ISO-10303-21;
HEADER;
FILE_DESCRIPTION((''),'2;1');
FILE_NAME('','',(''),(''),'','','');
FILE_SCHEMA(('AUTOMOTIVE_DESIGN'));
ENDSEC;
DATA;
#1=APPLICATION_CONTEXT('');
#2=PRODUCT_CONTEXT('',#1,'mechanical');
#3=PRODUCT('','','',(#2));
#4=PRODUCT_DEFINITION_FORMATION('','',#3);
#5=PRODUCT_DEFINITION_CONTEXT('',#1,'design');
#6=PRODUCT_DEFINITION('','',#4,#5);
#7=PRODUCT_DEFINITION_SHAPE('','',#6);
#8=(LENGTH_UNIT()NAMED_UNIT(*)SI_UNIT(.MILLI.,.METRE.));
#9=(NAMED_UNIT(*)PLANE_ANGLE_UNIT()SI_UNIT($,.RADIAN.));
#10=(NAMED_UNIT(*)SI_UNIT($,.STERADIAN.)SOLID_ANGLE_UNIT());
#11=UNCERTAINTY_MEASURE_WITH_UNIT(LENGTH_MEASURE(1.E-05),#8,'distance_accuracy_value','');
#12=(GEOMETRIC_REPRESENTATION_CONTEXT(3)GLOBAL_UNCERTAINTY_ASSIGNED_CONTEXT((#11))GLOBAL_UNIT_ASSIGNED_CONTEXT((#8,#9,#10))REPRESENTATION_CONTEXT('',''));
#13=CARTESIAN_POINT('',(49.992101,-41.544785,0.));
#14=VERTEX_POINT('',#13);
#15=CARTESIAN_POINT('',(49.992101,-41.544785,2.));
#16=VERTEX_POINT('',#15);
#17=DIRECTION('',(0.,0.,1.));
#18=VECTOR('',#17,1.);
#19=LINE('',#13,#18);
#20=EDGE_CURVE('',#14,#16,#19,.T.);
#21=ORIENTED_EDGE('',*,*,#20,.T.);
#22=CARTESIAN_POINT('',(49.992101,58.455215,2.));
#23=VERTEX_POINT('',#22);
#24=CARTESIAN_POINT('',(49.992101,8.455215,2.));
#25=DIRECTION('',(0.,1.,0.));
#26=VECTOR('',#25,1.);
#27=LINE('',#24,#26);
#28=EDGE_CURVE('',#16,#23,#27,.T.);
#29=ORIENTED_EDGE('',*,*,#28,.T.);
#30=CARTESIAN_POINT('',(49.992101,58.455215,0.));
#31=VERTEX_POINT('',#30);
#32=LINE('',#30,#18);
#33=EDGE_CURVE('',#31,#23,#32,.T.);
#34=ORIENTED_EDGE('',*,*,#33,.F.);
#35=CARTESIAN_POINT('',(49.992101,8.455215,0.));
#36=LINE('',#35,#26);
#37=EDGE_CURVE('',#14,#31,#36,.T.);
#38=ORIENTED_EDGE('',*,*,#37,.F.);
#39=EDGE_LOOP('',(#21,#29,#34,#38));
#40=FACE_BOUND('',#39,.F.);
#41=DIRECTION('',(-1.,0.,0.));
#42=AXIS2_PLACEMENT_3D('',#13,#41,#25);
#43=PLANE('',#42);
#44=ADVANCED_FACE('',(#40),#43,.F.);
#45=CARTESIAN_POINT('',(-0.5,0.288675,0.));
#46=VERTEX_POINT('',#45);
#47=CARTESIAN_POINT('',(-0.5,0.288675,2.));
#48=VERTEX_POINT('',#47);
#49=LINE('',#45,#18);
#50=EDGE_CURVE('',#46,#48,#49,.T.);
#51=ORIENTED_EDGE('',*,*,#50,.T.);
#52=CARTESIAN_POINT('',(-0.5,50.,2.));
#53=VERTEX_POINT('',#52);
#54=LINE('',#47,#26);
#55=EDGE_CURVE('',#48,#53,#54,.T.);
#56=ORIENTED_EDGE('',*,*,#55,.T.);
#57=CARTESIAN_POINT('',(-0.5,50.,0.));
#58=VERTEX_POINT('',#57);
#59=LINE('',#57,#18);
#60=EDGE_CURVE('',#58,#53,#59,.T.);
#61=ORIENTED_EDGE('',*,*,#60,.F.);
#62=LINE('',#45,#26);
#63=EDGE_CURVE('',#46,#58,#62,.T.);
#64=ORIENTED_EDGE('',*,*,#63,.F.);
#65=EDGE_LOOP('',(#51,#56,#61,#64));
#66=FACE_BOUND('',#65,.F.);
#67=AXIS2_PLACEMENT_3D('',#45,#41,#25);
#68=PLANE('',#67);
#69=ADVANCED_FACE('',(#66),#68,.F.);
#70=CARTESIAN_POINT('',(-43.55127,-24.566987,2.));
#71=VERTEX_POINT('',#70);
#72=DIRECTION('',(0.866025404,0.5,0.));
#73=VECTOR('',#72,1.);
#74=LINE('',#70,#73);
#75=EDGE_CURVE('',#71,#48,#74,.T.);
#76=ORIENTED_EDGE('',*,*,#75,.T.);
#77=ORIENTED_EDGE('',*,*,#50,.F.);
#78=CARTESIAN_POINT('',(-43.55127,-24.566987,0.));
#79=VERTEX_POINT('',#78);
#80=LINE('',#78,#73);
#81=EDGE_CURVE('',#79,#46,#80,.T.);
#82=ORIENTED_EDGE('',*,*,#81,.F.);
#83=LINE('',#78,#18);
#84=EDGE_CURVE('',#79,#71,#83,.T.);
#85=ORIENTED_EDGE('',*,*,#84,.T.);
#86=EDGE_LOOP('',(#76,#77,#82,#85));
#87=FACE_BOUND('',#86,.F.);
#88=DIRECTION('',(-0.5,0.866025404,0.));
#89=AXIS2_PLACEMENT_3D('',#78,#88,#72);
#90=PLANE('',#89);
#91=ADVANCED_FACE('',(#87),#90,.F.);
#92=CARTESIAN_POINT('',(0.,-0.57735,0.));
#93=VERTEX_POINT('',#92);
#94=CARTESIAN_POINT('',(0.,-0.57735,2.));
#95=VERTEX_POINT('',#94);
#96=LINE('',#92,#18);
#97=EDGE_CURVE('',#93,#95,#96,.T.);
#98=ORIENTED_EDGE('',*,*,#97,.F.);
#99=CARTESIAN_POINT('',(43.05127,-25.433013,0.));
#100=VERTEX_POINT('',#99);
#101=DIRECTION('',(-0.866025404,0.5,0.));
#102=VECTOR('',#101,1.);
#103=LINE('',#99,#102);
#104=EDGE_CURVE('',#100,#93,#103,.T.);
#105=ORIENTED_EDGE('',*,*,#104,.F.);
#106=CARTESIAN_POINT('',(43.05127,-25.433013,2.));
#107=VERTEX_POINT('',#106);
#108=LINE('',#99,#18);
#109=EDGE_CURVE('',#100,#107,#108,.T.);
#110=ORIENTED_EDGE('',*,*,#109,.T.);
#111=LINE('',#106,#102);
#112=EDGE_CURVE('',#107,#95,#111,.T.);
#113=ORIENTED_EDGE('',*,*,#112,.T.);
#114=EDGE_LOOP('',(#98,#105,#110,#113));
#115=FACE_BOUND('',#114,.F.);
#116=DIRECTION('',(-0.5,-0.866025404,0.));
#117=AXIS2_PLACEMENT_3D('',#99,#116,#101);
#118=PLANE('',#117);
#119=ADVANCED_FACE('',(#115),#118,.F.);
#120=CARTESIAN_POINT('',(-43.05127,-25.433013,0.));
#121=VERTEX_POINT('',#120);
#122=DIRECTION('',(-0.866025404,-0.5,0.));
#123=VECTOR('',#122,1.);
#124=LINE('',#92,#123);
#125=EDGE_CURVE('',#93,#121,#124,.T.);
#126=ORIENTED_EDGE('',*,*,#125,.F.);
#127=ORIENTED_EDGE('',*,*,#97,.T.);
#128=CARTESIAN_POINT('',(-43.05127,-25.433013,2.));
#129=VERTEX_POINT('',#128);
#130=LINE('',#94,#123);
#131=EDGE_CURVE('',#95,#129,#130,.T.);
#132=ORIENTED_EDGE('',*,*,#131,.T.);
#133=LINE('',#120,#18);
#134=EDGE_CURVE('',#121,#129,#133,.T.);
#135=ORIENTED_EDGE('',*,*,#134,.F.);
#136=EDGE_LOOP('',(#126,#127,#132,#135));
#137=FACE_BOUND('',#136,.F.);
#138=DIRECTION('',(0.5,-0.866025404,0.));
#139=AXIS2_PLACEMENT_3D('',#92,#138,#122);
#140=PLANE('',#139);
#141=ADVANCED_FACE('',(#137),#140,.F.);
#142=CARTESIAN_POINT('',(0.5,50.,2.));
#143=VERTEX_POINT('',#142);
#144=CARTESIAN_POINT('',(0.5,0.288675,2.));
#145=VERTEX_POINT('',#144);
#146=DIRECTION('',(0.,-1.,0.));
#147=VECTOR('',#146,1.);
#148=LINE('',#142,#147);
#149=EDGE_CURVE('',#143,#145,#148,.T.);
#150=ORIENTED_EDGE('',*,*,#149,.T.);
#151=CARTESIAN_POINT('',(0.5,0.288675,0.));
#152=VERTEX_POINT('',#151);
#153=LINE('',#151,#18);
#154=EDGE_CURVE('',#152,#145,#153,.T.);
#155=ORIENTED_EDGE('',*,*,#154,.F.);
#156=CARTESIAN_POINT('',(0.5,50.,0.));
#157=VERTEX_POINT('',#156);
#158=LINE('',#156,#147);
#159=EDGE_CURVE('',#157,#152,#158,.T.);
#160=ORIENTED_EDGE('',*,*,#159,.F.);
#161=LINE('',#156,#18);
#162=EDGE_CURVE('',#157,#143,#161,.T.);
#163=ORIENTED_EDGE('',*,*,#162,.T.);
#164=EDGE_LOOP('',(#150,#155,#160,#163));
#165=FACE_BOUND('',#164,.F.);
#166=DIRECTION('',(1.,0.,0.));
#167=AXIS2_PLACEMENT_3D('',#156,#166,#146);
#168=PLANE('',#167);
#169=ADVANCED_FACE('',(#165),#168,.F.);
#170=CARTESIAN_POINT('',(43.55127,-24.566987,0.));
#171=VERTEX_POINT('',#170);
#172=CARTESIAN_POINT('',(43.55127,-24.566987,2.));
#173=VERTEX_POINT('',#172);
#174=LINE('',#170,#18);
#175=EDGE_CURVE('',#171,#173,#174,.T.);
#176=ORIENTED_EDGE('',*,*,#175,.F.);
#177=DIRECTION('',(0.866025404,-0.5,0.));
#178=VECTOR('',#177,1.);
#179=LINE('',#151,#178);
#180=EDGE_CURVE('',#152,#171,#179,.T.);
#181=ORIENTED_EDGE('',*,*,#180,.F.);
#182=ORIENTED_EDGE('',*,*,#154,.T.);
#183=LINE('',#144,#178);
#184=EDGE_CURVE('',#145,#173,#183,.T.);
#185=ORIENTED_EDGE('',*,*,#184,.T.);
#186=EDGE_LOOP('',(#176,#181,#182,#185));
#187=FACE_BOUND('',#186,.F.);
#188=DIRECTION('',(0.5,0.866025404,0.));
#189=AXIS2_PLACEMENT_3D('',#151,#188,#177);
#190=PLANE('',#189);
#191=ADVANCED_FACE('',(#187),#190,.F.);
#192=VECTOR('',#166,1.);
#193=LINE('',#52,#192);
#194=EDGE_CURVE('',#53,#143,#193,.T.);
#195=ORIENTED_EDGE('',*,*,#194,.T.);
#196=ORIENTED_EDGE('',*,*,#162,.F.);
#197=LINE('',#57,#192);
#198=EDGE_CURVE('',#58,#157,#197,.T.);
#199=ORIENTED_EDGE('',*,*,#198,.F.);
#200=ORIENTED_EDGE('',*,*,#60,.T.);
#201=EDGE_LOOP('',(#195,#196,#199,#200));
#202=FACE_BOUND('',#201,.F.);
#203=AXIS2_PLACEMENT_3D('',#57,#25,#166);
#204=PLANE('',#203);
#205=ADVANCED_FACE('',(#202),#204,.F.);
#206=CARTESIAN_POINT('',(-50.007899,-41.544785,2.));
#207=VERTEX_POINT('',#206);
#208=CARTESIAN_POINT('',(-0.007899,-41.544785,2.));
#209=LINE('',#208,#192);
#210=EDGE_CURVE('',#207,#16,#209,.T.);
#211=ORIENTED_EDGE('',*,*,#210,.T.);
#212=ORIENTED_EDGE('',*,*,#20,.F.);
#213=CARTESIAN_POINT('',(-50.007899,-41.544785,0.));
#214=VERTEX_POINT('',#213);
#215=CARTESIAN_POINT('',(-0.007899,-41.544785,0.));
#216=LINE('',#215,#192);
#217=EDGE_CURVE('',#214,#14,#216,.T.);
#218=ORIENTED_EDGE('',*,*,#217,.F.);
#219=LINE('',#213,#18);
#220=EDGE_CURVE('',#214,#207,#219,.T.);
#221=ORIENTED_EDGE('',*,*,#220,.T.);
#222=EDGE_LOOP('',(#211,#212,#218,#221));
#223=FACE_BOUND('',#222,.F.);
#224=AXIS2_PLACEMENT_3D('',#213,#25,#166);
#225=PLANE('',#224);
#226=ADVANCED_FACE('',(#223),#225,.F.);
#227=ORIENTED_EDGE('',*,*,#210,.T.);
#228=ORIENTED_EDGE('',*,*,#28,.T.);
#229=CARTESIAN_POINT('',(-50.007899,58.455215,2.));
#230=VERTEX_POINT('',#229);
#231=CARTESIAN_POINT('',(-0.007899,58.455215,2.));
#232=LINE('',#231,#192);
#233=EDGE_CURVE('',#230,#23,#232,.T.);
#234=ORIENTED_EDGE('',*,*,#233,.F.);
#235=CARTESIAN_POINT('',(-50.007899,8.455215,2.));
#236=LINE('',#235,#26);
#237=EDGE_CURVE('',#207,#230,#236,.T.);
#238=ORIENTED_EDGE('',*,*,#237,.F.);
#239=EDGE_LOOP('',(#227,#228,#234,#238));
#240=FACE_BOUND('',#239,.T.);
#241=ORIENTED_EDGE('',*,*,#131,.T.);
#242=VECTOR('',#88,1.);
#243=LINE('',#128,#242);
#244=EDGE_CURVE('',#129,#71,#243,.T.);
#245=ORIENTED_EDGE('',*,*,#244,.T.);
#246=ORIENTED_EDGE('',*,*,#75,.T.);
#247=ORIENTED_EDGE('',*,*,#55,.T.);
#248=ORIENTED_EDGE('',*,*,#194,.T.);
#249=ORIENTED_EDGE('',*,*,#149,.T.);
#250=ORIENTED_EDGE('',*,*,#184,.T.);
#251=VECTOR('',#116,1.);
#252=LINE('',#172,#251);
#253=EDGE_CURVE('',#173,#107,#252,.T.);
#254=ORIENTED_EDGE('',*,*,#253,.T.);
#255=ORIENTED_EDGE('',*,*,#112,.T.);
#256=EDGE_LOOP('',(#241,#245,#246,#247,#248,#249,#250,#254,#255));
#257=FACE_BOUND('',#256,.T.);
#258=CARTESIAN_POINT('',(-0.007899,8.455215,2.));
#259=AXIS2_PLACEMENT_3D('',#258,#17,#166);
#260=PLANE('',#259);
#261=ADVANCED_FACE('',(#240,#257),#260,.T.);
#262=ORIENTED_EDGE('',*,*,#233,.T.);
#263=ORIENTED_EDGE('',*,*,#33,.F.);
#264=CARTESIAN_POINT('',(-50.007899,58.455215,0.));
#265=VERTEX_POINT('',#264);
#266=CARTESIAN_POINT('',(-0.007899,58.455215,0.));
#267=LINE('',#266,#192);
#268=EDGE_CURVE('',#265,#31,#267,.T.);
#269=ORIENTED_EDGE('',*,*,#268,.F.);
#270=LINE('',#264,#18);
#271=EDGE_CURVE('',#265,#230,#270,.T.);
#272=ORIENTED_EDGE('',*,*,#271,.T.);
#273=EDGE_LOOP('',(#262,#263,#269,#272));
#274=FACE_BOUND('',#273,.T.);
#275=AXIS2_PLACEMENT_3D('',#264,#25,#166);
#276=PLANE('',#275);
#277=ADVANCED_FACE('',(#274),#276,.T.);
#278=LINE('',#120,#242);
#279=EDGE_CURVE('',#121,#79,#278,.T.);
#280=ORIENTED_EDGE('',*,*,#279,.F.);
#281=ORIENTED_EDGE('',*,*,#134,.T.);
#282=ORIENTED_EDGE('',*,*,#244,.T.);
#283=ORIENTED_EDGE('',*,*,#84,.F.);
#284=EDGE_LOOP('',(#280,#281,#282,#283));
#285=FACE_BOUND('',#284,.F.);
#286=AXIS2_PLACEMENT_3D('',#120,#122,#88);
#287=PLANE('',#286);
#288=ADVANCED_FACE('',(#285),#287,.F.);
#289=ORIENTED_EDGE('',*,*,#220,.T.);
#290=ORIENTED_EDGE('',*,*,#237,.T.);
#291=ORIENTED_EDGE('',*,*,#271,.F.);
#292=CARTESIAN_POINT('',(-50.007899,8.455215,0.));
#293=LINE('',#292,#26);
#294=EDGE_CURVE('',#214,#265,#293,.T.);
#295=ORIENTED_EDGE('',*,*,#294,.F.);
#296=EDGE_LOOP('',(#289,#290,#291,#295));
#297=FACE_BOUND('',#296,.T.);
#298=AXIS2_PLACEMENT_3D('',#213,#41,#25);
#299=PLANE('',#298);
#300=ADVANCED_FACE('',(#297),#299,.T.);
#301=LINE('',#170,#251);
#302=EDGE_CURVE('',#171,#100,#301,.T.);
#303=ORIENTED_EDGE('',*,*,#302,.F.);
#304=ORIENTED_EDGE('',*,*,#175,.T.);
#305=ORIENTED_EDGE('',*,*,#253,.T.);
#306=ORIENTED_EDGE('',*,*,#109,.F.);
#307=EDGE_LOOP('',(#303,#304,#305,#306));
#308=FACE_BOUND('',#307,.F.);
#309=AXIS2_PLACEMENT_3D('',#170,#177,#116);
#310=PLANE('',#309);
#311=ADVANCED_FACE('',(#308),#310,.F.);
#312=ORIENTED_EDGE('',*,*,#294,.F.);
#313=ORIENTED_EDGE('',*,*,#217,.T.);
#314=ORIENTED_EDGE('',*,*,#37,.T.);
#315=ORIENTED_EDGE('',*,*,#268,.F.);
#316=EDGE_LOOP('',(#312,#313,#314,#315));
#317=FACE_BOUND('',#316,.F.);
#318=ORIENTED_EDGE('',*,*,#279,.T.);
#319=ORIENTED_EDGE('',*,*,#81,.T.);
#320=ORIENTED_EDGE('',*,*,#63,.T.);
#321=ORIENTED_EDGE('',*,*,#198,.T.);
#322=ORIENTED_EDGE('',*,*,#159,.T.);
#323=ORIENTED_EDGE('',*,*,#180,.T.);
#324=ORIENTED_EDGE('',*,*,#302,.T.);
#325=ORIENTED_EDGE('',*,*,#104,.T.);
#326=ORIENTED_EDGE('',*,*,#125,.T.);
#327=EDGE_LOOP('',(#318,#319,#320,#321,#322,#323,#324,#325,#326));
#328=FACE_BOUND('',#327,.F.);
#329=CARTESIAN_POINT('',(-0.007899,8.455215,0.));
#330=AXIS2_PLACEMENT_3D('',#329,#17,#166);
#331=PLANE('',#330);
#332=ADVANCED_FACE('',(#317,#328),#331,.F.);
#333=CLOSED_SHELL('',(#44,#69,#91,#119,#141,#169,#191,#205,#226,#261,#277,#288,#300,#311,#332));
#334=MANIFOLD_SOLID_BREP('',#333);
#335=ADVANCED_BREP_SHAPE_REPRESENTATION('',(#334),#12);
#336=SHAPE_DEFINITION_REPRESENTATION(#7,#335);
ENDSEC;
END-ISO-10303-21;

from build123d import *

# Parameters (mm, degrees)
F0_W     = 100
F0_H     = 100
F1_DEPTH = 2


with BuildPart() as f1:
    # F0 (on Top) → F1 (new body)
    with BuildSketch(Plane.XY):
        with Locations((-0.007899031, 8.455215469)):
            Rectangle(F0_W, F0_H)
        Polygon((-0.5, 50), (0, 50), (0.5, 50), (0.5, 0.2886751346), (43.5512701892, -24.5669872981), (43.3012701892, -25), (43.0512701892, -25.4330127019), (0, -0.5773502692), (-43.0512701892, -25.4330127019), (-43.3012701892, -25), (-43.5512701892, -24.5669872981), (-0.5, 0.2886751346), align=None, mode=Mode.SUBTRACT)
    extrude(amount=F1_DEPTH)


solid = f1.part
